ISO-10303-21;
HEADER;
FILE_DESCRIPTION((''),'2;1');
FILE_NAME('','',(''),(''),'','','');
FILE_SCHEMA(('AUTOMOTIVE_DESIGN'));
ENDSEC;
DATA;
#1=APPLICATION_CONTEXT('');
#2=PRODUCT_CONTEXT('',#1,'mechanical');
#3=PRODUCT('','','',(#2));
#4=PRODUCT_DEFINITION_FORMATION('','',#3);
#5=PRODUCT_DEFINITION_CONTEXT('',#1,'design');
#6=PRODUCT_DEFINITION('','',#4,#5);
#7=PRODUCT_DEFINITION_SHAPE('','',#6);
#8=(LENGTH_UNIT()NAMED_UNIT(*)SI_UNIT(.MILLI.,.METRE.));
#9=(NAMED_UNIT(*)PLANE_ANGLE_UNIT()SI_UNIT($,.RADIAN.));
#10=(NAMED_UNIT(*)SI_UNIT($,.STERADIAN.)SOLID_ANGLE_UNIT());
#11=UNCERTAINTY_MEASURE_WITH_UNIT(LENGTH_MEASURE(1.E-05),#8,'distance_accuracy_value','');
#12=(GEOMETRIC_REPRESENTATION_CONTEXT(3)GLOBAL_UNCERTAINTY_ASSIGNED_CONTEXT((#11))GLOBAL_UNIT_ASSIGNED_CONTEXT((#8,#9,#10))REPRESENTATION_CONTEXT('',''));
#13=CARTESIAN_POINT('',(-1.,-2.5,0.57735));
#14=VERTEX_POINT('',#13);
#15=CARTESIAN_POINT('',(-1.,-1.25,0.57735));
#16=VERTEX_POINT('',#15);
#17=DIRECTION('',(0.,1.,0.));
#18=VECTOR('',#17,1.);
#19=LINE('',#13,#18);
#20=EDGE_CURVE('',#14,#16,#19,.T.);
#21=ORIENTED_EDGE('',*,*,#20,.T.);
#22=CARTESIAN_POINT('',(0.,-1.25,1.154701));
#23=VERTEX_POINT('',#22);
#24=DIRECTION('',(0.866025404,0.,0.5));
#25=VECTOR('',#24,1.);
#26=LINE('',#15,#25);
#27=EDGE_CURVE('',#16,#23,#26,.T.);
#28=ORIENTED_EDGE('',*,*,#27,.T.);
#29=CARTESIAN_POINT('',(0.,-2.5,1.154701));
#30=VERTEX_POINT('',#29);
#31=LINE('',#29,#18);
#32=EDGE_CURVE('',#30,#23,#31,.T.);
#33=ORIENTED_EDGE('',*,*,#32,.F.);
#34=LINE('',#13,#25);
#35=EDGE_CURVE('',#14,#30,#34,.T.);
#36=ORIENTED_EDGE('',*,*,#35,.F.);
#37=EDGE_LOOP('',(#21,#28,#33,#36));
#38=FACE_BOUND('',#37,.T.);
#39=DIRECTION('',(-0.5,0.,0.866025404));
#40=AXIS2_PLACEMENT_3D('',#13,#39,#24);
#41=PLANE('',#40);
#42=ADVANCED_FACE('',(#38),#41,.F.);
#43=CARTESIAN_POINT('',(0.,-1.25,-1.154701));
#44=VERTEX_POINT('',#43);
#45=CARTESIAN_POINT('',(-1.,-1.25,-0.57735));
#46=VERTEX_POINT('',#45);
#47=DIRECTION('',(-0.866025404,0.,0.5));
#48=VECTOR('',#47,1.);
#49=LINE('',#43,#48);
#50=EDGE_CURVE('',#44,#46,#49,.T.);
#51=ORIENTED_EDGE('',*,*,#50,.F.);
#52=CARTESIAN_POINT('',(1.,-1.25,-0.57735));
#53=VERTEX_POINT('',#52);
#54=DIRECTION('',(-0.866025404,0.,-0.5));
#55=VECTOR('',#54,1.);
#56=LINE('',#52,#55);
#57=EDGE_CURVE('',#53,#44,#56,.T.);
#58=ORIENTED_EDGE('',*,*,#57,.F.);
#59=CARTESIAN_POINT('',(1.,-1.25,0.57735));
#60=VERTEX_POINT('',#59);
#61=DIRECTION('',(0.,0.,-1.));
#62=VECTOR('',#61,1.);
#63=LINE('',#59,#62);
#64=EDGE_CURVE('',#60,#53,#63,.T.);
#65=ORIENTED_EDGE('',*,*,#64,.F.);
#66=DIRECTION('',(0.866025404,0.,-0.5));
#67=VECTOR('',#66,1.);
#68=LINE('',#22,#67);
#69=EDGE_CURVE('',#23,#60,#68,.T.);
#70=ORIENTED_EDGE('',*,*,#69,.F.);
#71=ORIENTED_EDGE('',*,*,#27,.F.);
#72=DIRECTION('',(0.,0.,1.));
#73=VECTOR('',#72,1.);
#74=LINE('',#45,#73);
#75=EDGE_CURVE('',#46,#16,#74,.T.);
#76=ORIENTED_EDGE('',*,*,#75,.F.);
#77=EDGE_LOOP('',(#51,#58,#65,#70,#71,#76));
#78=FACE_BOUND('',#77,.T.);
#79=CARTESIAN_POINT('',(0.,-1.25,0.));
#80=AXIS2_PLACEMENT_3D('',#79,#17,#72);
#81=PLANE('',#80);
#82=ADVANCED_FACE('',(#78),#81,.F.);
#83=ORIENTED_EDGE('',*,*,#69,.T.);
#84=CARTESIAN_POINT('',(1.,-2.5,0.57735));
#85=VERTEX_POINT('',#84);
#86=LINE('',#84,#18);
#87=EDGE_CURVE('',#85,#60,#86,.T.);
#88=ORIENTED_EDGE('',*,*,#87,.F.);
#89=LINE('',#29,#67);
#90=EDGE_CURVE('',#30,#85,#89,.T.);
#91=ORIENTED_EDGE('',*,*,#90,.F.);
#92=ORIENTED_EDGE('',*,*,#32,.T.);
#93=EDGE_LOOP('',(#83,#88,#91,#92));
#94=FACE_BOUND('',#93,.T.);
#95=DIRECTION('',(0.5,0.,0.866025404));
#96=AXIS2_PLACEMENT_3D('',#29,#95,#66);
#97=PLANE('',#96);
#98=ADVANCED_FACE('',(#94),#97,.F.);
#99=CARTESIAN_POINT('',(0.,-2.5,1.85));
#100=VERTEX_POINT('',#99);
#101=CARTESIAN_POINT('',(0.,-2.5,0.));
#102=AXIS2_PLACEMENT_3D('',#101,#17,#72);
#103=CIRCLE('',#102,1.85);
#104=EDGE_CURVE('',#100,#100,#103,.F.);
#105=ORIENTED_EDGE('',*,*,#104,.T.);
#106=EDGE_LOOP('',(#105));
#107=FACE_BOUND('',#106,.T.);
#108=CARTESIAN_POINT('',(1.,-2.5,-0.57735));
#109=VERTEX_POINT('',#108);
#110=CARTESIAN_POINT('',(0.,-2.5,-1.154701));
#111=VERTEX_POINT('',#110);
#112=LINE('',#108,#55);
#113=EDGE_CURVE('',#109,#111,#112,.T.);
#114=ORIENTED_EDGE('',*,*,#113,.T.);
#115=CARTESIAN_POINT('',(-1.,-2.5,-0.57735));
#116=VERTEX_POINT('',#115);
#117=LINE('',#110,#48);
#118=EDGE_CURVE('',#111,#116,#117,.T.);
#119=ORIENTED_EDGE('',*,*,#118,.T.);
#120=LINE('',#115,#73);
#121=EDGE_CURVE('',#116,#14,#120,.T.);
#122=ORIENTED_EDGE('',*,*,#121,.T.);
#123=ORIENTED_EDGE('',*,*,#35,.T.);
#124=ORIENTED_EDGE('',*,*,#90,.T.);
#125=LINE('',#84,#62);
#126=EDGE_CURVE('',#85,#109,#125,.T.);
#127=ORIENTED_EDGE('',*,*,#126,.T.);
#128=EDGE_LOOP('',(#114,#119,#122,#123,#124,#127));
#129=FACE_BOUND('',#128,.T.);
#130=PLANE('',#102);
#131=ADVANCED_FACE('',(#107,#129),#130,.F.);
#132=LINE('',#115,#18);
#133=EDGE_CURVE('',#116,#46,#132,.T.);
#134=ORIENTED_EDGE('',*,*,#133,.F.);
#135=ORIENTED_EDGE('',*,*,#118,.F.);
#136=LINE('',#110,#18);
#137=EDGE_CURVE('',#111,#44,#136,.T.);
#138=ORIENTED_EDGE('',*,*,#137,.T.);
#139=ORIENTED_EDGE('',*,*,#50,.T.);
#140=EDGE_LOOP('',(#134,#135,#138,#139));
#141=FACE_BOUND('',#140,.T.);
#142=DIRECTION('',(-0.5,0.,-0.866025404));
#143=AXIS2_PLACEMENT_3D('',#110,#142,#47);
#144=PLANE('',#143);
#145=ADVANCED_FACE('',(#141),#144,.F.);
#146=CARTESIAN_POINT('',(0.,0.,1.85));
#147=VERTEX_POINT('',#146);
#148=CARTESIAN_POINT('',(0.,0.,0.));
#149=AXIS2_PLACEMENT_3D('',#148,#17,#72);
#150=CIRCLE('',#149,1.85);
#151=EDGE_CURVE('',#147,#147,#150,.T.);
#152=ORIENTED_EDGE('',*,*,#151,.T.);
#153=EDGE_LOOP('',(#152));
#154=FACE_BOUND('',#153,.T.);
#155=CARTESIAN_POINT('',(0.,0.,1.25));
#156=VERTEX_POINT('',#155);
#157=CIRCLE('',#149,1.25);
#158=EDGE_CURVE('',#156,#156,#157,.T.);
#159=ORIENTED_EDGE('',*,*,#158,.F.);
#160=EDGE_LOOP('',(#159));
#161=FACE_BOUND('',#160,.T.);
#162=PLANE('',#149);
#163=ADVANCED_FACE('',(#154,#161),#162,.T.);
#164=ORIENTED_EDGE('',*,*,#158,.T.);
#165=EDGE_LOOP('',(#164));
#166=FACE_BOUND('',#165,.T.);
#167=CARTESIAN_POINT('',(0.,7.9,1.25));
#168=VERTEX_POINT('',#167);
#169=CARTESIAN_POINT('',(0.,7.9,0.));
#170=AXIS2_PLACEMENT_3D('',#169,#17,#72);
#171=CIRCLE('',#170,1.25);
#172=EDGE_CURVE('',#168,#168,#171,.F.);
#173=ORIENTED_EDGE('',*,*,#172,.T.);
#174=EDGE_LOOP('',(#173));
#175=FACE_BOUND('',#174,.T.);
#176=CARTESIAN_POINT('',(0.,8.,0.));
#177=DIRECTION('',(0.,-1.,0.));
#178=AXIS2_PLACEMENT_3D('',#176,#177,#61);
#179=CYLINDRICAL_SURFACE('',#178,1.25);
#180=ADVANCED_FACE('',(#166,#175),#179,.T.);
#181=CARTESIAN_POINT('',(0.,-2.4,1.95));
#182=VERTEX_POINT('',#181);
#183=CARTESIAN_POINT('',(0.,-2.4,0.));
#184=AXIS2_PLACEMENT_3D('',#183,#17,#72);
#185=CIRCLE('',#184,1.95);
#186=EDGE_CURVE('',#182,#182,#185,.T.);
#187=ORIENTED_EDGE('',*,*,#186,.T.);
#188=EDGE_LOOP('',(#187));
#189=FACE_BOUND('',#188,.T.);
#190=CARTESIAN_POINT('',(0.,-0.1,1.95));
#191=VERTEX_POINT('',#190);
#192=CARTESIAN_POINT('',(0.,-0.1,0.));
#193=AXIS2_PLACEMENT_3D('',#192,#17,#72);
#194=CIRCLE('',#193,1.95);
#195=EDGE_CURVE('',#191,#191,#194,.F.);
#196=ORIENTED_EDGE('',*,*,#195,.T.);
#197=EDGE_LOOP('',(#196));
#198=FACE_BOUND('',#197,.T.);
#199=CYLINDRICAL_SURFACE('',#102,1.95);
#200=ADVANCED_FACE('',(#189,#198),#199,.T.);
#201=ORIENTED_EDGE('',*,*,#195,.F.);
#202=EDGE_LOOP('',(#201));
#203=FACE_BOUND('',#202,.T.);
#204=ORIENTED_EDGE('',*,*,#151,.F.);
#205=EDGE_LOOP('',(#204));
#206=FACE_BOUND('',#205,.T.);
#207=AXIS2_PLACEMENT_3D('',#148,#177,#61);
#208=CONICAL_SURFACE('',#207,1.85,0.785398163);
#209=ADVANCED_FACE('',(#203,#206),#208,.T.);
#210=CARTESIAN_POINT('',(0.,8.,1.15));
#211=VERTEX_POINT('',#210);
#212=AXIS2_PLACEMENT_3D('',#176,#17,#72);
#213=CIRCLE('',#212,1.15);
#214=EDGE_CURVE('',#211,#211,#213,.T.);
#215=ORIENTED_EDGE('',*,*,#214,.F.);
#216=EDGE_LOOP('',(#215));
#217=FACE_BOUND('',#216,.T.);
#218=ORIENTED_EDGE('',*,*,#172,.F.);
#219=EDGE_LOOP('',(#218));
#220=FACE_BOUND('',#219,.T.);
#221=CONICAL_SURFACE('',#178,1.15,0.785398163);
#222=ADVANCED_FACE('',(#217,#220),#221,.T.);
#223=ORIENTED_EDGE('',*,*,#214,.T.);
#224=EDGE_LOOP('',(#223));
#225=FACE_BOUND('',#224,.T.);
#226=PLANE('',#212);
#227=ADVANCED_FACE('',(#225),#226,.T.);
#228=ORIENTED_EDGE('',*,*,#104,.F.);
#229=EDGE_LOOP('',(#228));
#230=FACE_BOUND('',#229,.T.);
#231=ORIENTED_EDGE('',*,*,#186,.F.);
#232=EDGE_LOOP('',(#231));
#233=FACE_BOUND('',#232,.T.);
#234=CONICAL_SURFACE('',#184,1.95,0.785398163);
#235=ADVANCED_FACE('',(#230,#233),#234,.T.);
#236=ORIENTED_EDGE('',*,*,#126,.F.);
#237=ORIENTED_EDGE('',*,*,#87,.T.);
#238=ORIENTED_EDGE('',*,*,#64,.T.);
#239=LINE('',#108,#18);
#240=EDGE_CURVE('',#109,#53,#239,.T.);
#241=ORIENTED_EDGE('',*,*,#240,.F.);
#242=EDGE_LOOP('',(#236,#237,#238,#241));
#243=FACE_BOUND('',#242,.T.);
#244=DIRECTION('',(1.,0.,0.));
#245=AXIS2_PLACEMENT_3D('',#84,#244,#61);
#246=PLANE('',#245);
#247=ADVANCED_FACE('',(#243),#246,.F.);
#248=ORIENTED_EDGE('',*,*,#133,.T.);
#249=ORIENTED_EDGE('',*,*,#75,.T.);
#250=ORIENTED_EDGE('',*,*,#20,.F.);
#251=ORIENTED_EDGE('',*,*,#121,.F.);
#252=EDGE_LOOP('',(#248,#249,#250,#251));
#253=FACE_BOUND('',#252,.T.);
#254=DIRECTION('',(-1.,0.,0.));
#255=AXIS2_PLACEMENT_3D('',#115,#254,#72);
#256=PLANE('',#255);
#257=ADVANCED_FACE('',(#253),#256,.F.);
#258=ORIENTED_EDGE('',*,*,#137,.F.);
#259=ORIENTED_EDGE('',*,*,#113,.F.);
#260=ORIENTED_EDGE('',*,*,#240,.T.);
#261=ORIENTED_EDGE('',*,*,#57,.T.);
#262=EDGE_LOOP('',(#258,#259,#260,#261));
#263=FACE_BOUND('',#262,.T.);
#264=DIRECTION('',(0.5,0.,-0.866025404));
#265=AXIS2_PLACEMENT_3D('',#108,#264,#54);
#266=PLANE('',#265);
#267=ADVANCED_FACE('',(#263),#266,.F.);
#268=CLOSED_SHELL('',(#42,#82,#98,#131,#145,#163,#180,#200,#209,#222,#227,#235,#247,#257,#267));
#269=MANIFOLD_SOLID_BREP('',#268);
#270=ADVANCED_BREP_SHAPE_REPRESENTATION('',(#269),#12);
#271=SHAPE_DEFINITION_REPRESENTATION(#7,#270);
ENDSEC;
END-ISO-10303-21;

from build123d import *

# Parameters (mm, degrees)
SKETCH_1_R          = 1.95
EXTRUDE_1_DEPTH     = 2.5
SKETCH_1_3_R        = 1.25
EXTRUDE_2_DEPTH     = 8
CUT_EXTRUDE_START   = -1.25
CUT_EXTRUDE_1_DEPTH = 8.211973765
CHAMFER_1_SIZE      = 0.1


with BuildPart() as part:
    # Эскиз1 → Бобышка-Вытянуть1 (new body)
    with BuildSketch(Plane(origin=(0, 0, 0), x_dir=(1, 0, 0), z_dir=(0, 1, 0))):
        Circle(SKETCH_1_R)
    extrude(amount=-EXTRUDE_1_DEPTH)

    # Эскиз1<3> → Бобышка-Вытянуть2 (add)
    with BuildSketch(Plane(origin=(0, 0, 0), x_dir=(1, 0, 0), z_dir=(0, 1, 0))):
        Circle(SKETCH_1_3_R)
    extrude(amount=EXTRUDE_2_DEPTH)

    # Эскиз1<6> → Вырез-Вытянуть1 (cut, through all)
    with BuildSketch(Plane(origin=(0, 0, 0), x_dir=(1, 0, 0), z_dir=(0, 1, 0)).offset(CUT_EXTRUDE_START)):
        Polygon((0, 1.154700538), (-1, 0.577350269), (-1, -0.577350269), (0, -1.154700538), (1, -0.577350269), (1, 0.577350269), align=None)
    extrude(amount=-CUT_EXTRUDE_1_DEPTH, mode=Mode.SUBTRACT)

    # Фаска1
    chamfer_1_edges = [part.edges().sort_by_distance(p)[0] for p in [
        (-1.25, 8, 0),
        (-1.95, 0, 0),
        (-1.95, -2.5, 0),
    ]]
    chamfer(chamfer_1_edges, length=CHAMFER_1_SIZE)


solid = part.part
